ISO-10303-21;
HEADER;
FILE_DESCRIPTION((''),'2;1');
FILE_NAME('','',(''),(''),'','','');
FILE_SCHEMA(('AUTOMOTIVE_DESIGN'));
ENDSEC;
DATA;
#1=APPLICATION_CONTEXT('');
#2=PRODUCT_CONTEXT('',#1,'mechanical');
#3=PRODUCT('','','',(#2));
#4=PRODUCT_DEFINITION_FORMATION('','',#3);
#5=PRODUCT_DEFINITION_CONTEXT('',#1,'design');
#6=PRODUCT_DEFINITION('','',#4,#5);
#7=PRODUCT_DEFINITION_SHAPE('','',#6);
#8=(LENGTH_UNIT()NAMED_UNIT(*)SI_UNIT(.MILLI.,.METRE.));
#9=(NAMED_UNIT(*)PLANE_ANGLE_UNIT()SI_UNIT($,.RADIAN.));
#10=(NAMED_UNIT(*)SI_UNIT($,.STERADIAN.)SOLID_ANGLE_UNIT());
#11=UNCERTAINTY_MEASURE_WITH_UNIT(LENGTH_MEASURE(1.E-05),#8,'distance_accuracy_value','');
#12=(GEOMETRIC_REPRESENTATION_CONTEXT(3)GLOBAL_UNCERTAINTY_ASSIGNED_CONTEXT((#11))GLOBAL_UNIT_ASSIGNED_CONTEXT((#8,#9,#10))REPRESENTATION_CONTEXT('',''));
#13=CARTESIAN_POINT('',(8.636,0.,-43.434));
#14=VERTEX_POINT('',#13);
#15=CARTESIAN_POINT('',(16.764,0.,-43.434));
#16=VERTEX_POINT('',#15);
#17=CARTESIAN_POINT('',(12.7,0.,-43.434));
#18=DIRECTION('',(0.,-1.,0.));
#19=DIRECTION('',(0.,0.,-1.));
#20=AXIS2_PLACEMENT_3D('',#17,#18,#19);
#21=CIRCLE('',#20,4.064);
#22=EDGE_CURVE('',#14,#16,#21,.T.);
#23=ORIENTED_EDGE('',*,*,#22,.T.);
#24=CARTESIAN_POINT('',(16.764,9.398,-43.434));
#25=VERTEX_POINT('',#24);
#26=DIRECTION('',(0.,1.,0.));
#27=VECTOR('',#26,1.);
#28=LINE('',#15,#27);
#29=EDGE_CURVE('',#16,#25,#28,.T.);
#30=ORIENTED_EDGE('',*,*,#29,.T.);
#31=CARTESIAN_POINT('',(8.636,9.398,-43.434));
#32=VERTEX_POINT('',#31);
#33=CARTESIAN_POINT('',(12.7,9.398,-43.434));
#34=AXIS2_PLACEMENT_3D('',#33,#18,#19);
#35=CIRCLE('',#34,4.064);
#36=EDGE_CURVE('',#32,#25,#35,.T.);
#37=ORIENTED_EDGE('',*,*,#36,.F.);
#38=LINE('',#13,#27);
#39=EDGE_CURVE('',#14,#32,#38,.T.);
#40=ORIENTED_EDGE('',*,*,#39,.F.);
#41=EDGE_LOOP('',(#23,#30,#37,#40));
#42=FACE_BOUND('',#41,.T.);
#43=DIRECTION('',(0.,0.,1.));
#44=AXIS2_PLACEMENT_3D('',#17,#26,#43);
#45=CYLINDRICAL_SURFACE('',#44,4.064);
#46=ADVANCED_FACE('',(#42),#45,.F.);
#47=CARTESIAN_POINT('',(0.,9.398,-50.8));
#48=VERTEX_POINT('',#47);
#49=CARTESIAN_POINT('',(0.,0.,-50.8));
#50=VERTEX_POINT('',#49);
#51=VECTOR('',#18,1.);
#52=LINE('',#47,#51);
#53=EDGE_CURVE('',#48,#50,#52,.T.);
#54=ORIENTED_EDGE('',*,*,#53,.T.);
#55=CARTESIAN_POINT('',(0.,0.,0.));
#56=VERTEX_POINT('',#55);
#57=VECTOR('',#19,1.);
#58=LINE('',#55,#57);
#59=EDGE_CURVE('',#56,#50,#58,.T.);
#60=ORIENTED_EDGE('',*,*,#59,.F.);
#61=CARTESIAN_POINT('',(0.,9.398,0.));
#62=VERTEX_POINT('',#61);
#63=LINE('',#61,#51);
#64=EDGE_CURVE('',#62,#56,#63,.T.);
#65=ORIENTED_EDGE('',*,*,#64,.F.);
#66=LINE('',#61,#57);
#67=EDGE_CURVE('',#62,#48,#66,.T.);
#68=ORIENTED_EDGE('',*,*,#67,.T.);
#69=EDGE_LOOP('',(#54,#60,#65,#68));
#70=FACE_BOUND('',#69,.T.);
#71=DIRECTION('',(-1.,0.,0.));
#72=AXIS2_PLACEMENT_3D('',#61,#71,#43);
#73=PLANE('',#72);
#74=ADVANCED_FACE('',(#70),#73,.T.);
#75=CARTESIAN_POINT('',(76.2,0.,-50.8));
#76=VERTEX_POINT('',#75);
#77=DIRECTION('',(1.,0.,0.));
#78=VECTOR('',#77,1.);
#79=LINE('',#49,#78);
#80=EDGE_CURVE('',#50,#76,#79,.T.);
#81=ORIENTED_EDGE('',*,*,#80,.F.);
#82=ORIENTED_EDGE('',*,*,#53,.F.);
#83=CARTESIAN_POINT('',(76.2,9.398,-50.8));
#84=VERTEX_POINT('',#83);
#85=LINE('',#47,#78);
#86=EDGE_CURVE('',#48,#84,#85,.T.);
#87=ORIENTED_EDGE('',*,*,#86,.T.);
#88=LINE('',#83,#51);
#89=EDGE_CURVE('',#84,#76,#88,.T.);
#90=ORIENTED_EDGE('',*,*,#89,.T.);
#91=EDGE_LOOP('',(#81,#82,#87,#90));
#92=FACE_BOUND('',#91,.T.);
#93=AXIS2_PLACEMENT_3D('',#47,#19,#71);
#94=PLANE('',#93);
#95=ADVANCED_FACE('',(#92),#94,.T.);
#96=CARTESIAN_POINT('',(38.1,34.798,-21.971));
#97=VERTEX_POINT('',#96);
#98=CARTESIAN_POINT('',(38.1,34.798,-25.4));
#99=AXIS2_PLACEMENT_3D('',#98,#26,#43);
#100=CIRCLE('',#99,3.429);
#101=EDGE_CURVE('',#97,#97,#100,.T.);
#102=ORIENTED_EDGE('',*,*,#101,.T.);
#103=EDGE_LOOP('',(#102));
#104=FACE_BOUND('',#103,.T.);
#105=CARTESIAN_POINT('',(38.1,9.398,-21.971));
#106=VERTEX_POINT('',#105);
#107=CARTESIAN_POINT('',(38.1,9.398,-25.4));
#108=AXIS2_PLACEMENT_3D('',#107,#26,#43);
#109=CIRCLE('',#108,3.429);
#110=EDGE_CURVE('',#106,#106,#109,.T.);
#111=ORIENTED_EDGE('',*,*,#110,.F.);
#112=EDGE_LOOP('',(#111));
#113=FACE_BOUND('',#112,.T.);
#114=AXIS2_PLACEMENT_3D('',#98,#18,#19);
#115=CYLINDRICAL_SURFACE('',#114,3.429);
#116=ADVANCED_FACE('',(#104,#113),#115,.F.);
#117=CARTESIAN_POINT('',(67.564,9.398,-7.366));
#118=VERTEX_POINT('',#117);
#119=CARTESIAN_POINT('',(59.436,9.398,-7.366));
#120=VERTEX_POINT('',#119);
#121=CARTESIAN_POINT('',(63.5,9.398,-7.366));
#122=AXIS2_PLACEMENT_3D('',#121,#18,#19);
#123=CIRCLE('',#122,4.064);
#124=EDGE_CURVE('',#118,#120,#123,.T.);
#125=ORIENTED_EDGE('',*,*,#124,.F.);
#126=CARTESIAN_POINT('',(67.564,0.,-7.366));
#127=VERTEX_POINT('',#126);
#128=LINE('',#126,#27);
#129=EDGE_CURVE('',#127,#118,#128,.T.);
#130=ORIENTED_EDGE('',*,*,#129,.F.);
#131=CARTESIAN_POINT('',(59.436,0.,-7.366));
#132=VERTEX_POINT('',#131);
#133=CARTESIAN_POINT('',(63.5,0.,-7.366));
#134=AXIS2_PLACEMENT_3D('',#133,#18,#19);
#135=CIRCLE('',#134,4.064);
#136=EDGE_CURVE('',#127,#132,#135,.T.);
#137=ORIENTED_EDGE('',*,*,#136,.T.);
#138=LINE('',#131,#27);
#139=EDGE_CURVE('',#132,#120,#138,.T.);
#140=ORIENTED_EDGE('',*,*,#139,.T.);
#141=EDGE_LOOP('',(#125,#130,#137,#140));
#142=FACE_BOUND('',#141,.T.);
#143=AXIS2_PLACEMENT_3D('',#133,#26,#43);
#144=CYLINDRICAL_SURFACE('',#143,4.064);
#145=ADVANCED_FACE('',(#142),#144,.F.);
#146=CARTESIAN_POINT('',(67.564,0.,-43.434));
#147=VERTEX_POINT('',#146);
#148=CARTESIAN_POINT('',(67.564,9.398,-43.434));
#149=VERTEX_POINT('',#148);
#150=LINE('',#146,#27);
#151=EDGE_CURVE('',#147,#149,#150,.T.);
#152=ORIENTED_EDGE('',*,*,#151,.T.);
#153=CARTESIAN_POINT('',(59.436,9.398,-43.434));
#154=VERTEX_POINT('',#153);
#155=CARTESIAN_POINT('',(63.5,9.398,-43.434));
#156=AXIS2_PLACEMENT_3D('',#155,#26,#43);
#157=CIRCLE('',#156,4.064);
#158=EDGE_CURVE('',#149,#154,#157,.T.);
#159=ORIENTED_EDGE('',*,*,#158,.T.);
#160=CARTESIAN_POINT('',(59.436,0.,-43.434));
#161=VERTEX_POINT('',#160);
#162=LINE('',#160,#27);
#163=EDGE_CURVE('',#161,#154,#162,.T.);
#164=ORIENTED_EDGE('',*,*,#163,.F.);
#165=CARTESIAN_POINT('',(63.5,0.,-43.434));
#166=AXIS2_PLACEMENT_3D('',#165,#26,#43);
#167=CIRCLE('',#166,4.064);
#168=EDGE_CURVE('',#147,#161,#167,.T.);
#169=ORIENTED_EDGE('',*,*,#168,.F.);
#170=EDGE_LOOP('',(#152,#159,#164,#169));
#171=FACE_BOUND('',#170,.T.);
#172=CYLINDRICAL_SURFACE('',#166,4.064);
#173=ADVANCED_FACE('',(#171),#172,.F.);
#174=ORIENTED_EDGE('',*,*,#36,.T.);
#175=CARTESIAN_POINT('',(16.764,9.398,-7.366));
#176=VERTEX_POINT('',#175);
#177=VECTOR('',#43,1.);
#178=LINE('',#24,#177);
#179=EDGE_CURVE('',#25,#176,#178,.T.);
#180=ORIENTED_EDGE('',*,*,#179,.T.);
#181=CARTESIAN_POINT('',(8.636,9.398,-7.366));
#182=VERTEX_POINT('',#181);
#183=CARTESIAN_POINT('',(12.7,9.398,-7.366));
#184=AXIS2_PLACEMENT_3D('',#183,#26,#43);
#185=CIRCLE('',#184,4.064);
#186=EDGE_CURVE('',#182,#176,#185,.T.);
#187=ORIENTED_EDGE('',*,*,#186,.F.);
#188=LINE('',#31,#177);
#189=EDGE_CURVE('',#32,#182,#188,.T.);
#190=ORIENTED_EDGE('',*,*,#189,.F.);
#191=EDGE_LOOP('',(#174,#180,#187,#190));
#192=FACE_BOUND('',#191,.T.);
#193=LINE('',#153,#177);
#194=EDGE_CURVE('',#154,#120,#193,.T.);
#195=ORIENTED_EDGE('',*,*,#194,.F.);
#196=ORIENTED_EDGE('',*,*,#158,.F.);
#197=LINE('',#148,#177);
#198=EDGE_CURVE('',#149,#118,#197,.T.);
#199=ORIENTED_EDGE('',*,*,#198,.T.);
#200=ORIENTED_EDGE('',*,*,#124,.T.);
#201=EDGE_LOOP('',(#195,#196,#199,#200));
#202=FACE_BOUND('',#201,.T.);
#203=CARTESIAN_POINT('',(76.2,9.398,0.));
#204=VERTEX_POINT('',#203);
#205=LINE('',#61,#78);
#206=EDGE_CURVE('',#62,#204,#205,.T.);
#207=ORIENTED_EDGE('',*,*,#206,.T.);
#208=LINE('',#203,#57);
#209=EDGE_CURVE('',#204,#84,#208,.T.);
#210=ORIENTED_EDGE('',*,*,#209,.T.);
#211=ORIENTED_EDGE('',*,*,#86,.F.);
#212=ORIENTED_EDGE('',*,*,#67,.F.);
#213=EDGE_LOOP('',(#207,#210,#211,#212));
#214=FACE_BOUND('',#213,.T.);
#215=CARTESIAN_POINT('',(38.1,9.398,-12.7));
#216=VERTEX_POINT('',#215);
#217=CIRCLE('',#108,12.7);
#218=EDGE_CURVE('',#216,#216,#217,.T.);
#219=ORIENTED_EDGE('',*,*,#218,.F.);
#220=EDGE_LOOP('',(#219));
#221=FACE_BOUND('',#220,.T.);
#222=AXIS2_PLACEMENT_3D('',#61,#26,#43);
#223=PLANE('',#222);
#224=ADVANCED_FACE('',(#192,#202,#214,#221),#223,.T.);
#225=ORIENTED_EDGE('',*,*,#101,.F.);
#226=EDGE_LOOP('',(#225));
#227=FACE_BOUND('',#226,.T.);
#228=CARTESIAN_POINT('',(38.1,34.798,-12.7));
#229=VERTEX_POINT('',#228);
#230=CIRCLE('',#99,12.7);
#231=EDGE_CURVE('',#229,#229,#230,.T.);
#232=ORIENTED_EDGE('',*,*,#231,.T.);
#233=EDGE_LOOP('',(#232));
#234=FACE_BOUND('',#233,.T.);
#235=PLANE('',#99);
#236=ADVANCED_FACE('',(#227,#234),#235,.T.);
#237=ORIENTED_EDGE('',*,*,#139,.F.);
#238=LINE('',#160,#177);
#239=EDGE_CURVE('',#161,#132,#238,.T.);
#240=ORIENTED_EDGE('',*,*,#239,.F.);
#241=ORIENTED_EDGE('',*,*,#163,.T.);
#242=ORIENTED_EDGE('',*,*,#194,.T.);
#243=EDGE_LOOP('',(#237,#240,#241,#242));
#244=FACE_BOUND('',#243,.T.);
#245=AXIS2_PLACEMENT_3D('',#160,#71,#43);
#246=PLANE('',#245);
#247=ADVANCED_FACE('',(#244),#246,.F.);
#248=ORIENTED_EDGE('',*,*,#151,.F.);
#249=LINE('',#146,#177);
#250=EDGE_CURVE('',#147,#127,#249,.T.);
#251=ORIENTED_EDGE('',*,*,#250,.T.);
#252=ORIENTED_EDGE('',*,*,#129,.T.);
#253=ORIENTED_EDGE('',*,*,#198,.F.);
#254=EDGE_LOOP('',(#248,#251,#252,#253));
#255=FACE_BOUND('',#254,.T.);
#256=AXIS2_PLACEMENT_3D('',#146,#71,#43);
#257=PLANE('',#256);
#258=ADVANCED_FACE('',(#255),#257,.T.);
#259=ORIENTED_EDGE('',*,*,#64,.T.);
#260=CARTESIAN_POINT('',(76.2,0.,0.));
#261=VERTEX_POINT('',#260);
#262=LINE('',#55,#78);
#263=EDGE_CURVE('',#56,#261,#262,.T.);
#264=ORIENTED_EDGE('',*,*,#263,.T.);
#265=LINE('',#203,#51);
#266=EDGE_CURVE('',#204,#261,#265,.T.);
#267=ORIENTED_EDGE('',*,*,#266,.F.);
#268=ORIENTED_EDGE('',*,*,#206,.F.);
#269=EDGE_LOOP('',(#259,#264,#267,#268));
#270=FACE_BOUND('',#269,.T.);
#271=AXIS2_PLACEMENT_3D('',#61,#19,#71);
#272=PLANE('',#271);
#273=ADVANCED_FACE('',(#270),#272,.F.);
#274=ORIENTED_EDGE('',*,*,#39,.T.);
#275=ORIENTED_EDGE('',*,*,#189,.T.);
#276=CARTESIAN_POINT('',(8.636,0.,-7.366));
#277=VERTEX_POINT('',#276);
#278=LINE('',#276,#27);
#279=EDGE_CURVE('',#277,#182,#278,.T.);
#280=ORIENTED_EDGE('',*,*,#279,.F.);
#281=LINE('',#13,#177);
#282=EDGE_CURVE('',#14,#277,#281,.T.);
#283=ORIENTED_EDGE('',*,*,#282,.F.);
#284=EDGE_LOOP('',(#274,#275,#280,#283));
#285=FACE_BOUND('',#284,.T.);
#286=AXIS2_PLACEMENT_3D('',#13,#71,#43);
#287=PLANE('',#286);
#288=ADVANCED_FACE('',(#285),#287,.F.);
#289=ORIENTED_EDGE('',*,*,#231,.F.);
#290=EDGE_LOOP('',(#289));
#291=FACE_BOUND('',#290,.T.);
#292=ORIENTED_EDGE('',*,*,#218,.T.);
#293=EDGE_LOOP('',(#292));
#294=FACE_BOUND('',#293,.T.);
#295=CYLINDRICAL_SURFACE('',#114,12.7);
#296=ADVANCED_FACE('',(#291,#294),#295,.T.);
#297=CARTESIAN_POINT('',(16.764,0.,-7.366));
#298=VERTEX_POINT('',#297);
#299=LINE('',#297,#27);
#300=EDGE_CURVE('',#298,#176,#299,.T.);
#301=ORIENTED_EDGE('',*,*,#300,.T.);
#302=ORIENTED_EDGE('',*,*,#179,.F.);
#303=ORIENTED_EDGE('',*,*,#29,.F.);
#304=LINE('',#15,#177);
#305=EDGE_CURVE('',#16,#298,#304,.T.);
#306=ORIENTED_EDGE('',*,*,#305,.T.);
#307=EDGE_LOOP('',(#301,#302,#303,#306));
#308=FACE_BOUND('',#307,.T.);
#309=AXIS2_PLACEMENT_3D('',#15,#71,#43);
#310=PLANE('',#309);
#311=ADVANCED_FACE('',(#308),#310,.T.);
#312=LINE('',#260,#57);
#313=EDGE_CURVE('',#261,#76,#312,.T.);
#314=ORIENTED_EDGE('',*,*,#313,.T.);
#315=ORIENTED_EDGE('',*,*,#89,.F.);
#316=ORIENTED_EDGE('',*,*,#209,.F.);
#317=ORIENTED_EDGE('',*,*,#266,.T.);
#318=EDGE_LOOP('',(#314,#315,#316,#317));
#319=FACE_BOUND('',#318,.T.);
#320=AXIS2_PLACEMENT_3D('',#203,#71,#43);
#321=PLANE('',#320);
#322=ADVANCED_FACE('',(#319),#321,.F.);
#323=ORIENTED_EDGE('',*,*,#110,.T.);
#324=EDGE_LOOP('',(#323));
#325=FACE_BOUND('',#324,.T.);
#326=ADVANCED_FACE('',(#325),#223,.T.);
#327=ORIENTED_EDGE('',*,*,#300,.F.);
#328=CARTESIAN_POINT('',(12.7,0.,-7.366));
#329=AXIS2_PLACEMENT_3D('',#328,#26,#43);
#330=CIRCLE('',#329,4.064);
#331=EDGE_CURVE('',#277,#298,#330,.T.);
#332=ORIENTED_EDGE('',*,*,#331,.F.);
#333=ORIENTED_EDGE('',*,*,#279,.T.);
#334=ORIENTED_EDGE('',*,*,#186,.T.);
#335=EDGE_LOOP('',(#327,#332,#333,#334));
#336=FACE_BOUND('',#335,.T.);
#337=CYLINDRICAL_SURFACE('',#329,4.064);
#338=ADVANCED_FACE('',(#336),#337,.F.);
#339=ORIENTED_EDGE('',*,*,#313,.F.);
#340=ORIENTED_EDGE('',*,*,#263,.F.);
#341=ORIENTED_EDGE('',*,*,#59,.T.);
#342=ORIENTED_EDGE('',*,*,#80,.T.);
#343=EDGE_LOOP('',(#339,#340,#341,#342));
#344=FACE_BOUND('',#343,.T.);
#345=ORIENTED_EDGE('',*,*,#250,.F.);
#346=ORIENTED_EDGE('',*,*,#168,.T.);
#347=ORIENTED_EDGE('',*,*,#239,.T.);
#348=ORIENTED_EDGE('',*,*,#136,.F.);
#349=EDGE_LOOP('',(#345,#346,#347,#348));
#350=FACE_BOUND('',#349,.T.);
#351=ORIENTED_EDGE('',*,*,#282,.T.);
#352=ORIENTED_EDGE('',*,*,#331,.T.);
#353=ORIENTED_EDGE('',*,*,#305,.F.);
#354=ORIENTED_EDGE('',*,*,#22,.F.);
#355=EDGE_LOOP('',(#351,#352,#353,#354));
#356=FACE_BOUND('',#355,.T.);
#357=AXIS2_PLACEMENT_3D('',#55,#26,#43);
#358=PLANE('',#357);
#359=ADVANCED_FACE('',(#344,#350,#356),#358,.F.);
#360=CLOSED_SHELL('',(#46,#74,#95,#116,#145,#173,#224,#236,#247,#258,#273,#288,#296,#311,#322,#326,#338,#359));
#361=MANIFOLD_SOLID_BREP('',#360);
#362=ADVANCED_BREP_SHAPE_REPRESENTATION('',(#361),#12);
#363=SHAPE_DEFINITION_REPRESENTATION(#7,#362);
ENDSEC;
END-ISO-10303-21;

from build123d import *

# Parameters (mm, degrees)
SKETCH1_W           = 76.2
SKETCH1_H           = 50.8
BOSS_EXTRUDE1_DEPTH = 9.398
CUT_EXTRUDE1_DEPTH  = 9.398
SKETCH4_R           = 12.7
SKETCH4_R_2         = 3.429
BOSS_EXTRUDE2_DEPTH = 25.4


with BuildPart() as part:
    # Sketch1 → Boss-Extrude1 (new body)
    with BuildSketch(Plane(origin=(0, 0, 0), x_dir=(1, 0, 0), z_dir=(0, 1, 0))):
        with Locations((38.1, 25.4)):
            Rectangle(SKETCH1_W, SKETCH1_H)
    extrude(amount=BOSS_EXTRUDE1_DEPTH)

    # Sketch3 → Cut-Extrude1 (cut)
    with BuildSketch(Plane(origin=(0, 9.398, 0), x_dir=(1, 0, 0), z_dir=(0, 1, 0))):
        with BuildLine():
            Line((8.636, 43.434), (8.636, 7.366))
            ThreePointArc((8.636, 7.366), (12.7, 3.302), (16.764, 7.366))
            Line((16.764, 7.366), (16.764, 43.434))
            ThreePointArc((16.764, 43.434), (12.7, 47.498), (8.636, 43.434))
        make_face()
        with BuildLine():
            Line((67.564, 43.434), (67.564, 7.366))
            ThreePointArc((67.564, 7.366), (63.5, 3.302), (59.436, 7.366))
            Line((59.436, 7.366), (59.436, 43.434))
            ThreePointArc((59.436, 43.434), (63.5, 47.498), (67.564, 43.434))
        make_face()
    extrude(amount=-CUT_EXTRUDE1_DEPTH, mode=Mode.SUBTRACT)

    # Sketch4 → Boss-Extrude2 (add)
    with BuildSketch(Plane(origin=(0, 9.398, 0), x_dir=(1, 0, 0), z_dir=(0, 1, 0))):
        with Locations(Location((38.1, 25.4, 0), (0, 0, 270))):
            Circle(SKETCH4_R)
        with Locations(Location((38.1, 25.4, 0), (0, 0, 270))):
            Circle(SKETCH4_R_2, mode=Mode.SUBTRACT)
    extrude(amount=BOSS_EXTRUDE2_DEPTH)


solid = part.part
